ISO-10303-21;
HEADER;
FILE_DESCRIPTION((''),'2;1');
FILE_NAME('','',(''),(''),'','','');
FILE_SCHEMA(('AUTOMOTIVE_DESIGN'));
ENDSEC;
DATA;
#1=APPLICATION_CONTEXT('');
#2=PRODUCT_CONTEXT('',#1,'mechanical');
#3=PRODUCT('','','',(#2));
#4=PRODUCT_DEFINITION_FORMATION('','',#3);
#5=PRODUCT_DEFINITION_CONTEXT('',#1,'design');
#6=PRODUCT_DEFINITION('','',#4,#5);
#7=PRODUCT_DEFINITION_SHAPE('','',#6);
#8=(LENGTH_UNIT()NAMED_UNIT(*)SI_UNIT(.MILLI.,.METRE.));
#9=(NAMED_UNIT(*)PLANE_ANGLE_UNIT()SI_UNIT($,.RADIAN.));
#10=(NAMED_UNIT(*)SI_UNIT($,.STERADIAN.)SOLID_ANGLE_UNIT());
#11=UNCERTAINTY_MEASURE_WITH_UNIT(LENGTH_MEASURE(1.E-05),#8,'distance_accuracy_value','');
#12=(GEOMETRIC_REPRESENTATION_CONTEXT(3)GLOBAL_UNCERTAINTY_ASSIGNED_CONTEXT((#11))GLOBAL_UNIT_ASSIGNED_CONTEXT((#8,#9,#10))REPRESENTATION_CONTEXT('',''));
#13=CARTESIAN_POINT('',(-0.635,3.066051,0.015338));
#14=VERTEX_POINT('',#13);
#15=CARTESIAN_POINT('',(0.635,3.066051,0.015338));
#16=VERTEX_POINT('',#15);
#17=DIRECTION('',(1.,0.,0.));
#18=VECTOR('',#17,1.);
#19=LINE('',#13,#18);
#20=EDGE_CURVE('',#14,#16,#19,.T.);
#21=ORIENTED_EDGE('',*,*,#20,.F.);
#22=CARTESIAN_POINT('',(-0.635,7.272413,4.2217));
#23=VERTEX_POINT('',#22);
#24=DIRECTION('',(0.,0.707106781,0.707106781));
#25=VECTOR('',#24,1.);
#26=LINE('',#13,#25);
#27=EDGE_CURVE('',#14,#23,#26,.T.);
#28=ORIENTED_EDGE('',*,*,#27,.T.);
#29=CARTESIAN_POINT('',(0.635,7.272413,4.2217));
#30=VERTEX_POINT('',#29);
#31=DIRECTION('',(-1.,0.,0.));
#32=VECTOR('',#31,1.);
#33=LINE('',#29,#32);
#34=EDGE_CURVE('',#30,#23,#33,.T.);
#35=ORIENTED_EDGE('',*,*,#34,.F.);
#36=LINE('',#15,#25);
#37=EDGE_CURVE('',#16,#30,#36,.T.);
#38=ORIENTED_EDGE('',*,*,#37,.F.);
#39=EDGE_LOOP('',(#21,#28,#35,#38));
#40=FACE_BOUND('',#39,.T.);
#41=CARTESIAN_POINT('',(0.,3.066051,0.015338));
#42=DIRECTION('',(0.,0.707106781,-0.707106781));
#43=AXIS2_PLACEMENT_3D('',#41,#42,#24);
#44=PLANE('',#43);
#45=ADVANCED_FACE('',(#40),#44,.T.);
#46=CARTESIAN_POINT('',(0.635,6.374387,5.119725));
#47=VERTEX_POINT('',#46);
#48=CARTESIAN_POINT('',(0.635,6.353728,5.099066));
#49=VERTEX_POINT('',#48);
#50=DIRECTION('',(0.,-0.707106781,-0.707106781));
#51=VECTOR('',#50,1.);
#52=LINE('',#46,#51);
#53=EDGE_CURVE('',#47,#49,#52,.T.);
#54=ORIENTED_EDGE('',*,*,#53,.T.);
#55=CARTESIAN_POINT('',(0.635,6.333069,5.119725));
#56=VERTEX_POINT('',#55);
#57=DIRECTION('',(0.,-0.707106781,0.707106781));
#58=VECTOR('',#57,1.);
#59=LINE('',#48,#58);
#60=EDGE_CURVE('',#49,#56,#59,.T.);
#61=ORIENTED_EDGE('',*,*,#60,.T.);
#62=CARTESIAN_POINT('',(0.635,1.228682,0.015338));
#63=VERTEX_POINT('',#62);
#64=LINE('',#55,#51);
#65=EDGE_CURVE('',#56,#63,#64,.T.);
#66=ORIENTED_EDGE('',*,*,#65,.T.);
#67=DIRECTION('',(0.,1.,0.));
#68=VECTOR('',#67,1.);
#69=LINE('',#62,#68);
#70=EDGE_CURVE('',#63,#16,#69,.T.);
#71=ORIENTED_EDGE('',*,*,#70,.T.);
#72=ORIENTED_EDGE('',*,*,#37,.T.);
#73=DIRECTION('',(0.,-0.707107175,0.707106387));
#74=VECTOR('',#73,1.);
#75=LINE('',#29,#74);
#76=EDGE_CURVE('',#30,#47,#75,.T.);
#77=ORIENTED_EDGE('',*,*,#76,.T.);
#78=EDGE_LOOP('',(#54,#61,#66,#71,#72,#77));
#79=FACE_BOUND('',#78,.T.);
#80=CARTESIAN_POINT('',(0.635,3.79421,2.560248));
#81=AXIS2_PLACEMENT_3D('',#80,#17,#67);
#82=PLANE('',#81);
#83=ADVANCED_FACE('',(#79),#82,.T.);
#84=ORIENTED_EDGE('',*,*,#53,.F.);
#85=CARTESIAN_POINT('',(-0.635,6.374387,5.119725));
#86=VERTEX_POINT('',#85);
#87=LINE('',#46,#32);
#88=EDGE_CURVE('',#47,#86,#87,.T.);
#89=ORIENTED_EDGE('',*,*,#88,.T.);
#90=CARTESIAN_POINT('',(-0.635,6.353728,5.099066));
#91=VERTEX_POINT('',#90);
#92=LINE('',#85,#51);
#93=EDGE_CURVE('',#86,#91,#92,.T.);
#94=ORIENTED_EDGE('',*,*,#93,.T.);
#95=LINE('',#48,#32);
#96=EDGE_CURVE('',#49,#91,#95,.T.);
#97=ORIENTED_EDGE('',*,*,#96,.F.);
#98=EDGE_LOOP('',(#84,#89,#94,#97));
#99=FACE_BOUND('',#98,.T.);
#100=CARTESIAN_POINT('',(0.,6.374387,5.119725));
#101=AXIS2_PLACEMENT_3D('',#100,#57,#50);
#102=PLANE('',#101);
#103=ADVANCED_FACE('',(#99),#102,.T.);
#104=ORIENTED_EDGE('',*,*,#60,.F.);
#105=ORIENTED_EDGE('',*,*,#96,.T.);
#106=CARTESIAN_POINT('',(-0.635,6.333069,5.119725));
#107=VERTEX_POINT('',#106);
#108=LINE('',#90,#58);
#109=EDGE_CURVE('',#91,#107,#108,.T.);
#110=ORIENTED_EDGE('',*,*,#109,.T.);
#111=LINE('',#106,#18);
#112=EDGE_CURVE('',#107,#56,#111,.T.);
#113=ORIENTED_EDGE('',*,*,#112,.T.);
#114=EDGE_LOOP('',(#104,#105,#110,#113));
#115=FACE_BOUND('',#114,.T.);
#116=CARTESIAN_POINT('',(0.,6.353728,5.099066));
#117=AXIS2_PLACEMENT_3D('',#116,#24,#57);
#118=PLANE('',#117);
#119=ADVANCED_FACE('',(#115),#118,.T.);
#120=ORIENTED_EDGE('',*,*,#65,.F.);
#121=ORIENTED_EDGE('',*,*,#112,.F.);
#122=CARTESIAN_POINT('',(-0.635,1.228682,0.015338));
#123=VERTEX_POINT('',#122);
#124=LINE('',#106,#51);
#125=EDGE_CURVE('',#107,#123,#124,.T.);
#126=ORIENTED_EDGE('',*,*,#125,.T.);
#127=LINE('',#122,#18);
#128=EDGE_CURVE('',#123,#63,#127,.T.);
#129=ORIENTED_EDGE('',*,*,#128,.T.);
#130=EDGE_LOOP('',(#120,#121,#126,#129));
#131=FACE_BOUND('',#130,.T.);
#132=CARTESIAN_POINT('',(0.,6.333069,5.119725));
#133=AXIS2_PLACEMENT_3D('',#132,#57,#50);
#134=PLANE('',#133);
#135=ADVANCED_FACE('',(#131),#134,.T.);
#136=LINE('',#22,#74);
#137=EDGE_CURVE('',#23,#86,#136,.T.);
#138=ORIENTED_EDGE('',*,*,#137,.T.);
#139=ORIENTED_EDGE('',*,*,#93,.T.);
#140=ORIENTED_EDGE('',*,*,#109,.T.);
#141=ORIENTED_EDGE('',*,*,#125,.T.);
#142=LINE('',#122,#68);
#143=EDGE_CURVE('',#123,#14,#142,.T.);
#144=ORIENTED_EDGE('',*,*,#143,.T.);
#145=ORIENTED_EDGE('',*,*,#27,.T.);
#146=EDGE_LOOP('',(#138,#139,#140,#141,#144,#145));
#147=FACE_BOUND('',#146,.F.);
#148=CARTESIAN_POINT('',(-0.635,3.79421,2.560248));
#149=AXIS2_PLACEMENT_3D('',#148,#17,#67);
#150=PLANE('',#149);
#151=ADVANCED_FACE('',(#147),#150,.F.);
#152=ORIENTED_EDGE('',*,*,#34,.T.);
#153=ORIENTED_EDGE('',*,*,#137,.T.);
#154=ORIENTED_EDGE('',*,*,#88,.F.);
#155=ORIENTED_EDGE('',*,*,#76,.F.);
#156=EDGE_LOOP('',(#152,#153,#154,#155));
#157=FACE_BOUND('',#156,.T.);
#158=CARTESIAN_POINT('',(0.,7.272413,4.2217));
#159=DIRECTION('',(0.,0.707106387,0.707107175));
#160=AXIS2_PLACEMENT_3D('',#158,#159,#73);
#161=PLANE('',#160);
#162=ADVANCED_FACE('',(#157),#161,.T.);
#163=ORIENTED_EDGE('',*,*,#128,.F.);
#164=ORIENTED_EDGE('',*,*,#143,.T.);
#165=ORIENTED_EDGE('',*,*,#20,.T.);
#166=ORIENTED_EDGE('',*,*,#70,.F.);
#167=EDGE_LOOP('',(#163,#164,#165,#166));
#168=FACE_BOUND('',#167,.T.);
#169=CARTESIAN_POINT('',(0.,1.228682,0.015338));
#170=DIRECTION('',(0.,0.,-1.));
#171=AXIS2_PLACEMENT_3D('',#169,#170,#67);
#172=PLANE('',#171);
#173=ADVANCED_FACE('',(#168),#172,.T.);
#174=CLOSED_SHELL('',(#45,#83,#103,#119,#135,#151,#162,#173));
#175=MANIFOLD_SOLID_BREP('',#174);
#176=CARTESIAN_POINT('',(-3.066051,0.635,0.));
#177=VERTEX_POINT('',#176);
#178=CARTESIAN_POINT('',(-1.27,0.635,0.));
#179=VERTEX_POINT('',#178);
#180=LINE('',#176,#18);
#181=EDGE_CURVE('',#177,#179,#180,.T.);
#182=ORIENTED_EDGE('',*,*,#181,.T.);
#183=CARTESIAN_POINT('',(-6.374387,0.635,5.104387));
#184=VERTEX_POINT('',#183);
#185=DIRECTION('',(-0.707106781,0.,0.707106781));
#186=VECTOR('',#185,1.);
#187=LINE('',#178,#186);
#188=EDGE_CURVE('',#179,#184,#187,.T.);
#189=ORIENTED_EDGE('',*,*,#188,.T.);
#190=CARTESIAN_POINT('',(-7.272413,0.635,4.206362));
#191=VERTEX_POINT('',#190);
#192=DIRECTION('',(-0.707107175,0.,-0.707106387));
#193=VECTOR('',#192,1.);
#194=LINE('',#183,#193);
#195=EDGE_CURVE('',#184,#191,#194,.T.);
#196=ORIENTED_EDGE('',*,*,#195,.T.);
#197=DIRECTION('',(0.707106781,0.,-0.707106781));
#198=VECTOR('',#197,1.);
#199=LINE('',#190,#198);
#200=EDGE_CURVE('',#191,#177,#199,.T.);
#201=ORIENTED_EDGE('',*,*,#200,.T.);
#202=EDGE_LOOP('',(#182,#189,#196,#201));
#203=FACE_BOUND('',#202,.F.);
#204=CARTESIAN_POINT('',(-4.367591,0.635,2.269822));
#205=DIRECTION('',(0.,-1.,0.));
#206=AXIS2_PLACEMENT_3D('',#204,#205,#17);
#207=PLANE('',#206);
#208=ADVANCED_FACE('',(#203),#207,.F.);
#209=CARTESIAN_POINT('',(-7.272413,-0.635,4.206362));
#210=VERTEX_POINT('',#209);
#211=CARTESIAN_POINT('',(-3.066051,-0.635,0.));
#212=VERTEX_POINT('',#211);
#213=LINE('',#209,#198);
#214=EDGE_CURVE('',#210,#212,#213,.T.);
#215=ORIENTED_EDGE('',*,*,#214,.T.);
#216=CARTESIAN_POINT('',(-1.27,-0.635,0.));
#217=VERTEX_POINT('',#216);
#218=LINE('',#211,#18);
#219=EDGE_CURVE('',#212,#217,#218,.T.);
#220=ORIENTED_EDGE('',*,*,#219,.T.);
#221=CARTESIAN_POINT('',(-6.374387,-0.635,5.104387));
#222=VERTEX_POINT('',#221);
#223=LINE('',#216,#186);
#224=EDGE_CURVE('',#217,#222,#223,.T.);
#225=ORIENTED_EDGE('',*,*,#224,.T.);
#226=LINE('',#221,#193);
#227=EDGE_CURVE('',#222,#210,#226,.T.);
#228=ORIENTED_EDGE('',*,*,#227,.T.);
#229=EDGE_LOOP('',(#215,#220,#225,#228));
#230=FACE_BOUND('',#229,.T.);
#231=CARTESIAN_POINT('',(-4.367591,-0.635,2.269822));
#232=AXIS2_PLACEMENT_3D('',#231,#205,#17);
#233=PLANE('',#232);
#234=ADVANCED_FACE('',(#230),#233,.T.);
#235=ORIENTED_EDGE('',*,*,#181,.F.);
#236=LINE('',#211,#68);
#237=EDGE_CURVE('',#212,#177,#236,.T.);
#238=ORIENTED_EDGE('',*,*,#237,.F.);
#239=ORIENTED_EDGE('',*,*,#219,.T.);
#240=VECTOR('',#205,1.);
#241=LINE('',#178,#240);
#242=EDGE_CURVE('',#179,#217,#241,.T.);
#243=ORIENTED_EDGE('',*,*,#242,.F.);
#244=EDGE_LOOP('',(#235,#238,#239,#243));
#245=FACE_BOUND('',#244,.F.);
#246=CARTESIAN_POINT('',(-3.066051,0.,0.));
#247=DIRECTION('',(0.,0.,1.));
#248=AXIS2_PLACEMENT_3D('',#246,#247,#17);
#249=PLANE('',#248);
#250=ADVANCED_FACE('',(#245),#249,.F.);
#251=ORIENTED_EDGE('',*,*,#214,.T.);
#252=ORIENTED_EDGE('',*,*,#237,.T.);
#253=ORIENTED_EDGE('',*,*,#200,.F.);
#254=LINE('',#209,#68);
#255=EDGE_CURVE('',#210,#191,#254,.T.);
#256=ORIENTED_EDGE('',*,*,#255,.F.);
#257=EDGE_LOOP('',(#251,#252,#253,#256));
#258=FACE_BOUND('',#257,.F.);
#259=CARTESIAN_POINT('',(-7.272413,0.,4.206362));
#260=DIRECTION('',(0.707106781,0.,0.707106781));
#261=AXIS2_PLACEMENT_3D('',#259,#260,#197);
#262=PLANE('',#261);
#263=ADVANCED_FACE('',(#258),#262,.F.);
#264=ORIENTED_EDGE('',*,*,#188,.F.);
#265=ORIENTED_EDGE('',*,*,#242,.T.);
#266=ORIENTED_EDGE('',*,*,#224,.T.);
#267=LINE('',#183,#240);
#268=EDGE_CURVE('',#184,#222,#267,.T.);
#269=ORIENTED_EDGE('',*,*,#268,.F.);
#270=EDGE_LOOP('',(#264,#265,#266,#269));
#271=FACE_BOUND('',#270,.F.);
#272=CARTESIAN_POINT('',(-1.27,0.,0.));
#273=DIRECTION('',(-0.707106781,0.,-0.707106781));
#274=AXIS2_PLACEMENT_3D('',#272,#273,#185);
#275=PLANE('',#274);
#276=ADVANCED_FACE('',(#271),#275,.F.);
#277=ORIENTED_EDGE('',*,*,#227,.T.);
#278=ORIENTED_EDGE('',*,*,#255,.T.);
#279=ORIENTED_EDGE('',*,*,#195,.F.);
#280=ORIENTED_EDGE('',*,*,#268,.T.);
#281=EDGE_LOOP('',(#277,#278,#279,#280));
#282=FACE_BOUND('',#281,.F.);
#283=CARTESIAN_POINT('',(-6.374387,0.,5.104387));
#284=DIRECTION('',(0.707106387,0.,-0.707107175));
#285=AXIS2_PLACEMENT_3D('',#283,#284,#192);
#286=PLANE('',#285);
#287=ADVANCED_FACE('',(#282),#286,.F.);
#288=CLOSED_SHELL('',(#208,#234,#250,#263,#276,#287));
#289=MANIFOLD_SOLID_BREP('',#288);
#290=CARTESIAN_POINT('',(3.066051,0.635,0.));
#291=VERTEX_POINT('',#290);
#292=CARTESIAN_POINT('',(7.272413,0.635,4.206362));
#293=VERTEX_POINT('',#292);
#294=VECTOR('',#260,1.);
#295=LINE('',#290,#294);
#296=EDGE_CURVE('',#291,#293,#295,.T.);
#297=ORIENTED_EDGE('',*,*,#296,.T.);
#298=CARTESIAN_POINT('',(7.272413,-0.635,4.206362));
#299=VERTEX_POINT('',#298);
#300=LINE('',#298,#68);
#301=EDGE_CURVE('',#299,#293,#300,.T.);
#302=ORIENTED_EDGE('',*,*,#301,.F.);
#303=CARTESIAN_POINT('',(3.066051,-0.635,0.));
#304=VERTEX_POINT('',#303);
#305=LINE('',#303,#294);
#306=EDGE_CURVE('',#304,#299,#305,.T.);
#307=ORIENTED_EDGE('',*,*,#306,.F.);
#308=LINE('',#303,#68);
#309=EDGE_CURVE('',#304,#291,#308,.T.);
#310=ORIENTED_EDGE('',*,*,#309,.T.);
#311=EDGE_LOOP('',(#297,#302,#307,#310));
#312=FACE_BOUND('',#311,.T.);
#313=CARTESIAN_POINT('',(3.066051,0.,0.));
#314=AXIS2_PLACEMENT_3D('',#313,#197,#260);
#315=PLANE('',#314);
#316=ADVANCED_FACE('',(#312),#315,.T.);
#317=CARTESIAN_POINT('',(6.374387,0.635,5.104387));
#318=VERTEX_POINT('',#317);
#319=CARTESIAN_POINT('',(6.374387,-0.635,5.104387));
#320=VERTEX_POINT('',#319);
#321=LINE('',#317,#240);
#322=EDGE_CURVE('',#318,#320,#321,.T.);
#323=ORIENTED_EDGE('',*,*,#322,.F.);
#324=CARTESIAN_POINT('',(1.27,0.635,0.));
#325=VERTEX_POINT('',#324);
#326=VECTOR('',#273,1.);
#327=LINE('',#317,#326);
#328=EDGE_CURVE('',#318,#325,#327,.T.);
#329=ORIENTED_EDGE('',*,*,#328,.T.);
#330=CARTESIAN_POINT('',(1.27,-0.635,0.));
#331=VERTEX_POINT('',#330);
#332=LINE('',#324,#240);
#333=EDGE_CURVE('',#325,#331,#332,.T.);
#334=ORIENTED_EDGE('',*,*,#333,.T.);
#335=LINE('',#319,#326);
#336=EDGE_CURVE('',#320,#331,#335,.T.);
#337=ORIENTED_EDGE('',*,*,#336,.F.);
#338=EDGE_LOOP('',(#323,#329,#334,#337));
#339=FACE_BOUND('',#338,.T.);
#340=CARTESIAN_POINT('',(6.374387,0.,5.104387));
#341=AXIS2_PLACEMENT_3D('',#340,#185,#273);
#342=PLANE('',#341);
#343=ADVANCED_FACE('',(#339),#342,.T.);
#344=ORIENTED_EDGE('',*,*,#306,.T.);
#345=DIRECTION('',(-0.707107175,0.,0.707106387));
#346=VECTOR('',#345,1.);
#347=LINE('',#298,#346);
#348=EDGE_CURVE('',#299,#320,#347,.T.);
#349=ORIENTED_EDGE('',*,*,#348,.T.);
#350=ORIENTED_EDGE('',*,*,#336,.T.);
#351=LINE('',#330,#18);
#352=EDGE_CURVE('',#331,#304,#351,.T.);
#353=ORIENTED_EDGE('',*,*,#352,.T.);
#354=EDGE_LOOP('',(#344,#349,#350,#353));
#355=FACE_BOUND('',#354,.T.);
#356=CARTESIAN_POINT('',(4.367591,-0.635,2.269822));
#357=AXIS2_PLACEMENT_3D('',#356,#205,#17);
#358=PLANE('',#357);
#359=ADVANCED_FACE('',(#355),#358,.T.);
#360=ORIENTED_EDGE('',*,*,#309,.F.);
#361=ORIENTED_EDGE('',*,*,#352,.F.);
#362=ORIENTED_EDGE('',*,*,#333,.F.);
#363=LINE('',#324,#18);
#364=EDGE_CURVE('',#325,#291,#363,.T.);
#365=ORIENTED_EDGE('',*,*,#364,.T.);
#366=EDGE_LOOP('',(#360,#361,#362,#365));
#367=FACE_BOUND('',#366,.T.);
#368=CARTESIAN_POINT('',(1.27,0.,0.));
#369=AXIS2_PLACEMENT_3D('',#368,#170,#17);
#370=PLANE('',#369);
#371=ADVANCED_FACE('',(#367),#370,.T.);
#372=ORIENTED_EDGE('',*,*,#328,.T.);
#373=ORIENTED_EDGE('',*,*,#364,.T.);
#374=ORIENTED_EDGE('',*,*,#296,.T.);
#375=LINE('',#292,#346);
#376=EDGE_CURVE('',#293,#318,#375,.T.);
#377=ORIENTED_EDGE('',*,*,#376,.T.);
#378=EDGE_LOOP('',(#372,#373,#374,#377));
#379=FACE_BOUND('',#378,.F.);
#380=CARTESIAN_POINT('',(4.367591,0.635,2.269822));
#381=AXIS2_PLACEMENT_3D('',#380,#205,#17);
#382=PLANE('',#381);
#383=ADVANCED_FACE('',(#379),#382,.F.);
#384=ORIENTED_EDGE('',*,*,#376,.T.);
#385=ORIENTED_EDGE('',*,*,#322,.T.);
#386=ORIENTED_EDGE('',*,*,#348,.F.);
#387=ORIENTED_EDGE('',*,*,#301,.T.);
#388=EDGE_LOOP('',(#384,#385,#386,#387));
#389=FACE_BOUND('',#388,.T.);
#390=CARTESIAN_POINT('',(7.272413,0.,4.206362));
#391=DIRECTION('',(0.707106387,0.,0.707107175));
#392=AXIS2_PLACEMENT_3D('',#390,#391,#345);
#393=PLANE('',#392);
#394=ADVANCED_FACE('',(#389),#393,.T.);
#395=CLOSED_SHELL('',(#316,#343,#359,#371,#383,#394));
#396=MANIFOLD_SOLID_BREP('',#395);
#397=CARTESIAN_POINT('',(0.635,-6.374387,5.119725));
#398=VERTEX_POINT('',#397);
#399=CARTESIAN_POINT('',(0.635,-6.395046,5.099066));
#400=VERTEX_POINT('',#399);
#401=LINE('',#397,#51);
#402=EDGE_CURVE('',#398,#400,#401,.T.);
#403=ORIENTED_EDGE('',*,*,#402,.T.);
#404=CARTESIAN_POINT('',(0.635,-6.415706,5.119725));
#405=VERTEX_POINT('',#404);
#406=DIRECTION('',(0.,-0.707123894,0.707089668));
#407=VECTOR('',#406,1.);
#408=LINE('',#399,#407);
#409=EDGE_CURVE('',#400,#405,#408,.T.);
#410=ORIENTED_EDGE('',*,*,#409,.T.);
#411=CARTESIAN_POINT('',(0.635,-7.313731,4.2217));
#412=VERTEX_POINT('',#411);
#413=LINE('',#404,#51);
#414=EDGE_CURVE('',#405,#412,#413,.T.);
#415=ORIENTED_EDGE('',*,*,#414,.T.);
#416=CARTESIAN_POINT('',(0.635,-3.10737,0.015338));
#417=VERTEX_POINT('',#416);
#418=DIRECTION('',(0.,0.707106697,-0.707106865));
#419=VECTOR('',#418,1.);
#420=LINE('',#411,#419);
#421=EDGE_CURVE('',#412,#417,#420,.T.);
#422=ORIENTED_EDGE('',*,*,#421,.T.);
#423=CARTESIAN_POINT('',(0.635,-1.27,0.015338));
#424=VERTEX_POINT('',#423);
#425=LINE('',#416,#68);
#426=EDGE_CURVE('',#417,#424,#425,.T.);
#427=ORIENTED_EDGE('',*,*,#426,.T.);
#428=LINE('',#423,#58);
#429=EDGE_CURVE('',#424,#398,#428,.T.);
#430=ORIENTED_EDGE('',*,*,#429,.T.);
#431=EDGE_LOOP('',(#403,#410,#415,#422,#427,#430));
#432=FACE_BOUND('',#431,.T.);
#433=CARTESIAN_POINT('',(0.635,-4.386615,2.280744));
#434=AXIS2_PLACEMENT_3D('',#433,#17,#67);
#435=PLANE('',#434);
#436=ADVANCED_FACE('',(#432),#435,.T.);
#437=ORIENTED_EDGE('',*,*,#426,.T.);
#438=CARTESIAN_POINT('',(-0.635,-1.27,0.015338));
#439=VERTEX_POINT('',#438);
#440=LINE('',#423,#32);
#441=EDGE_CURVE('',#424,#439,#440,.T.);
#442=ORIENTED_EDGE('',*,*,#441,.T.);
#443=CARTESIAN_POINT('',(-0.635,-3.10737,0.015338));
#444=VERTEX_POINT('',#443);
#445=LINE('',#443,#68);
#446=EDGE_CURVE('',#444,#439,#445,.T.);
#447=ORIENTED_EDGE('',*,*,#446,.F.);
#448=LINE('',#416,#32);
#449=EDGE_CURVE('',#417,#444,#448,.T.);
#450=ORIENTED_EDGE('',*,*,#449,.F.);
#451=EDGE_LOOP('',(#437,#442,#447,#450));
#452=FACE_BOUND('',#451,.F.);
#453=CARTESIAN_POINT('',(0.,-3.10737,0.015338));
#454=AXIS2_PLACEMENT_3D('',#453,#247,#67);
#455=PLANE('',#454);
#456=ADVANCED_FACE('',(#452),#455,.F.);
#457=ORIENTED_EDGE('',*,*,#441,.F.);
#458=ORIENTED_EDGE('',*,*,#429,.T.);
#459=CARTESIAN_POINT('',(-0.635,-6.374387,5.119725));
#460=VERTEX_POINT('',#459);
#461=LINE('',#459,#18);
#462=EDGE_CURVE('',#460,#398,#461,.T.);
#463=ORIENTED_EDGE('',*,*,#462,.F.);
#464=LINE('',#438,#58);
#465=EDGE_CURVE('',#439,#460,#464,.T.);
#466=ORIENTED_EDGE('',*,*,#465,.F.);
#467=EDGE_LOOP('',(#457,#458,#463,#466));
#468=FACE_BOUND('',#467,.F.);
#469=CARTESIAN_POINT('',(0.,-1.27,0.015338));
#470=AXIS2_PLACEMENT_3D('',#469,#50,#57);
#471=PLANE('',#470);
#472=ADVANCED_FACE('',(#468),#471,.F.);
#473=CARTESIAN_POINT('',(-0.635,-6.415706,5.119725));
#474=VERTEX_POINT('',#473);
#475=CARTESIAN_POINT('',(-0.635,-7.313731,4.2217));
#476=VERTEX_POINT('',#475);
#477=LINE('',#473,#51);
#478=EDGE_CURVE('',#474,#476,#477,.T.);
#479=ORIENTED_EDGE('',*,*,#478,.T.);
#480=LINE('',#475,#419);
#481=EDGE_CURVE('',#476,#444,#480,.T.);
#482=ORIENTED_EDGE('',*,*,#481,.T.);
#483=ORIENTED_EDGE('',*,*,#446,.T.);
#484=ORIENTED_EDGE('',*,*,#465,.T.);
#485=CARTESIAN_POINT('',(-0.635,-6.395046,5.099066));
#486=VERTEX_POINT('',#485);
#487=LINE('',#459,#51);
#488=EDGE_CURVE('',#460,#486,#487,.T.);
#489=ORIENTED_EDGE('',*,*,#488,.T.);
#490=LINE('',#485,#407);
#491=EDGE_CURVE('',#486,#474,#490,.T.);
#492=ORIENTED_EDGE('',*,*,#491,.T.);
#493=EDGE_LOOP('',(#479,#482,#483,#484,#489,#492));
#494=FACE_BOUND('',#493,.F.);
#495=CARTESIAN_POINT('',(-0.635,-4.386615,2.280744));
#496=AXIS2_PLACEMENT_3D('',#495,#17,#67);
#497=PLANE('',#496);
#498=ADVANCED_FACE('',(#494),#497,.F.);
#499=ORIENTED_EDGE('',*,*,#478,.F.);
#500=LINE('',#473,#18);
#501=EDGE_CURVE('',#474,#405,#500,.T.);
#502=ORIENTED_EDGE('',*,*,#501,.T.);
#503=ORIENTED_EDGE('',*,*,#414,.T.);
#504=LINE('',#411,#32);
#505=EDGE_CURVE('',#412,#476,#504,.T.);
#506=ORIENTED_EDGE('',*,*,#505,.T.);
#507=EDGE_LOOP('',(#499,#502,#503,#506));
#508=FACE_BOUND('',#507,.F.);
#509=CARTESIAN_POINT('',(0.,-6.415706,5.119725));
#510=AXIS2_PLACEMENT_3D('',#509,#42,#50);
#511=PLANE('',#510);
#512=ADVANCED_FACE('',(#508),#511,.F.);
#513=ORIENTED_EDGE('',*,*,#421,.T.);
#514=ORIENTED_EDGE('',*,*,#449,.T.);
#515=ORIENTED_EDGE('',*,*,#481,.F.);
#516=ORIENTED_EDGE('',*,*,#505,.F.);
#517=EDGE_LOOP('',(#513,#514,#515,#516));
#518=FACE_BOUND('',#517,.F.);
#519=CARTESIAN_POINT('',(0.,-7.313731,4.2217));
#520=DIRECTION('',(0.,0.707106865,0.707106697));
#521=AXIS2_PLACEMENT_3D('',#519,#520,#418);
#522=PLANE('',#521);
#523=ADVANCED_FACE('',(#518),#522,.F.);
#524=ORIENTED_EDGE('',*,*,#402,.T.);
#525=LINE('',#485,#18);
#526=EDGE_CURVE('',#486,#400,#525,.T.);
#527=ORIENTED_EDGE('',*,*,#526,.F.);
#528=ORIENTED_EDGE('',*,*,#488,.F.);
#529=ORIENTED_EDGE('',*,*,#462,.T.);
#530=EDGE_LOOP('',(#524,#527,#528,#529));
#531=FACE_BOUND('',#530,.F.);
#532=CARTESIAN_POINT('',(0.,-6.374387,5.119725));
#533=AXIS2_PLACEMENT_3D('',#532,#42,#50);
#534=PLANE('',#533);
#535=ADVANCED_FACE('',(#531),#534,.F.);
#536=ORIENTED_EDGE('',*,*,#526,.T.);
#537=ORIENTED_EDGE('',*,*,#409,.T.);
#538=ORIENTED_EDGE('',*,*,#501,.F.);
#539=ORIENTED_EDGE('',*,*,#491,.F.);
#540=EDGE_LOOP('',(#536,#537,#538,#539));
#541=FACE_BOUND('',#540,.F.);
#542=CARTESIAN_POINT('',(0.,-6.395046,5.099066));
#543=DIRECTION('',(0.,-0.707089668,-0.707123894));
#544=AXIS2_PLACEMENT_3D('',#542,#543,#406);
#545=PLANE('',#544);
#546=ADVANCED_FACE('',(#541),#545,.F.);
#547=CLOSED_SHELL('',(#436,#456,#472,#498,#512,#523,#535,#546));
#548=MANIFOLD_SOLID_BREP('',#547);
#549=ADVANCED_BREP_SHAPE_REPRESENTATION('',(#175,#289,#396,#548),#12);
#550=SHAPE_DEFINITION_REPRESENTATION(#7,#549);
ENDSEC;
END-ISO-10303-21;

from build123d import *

# Parameters (mm, degrees)
F1_DEPTH = 0.635
F3_DEPTH = 0.635


with BuildPart() as f1:
    # F0 (on Front) → F1 (new body, symmetric)
    with BuildSketch(Plane.XZ):
        Polygon((-3.066051, 0), (-1.27, 0), (-6.374387, 5.104387), (-7.272413, 4.206362), align=None)
        Polygon((7.272413, 4.206362), (6.374387, 5.104387), (1.27, 0), (3.066051, 0), align=None)
    extrude(amount=F1_DEPTH, both=True)


with BuildPart() as f3:
    # F2 (on Right) → F3 (new body, symmetric)
    with BuildSketch(Plane.YZ):
        Polygon((-3.066051, 0.015338), (-1.311318, 0.015338), (-6.395046, 5.099066), (-7.272413, 4.2217), align=None)
        Polygon((-6.395046, 5.099066), (-1.311318, 0.015338), (-1.27, 0.015338), (-6.374387, 5.119725), align=None)
        Polygon((-7.272413, 4.2217), (-6.395046, 5.099066), (-6.415706, 5.119725), (-7.313731, 4.2217), (-3.10737, 0.015338), (-3.066051, 0.015338), align=None)
        Polygon((6.353728, 5.099066), (6.333069, 5.119725), (1.228682, 0.015338), (1.27, 0.015338), align=None)
        Polygon((6.374387, 5.119725), (6.353728, 5.099066), (7.231094, 4.2217), (3.024733, 0.015338), (3.066051, 0.015338), (7.272413, 4.2217), align=None)
        Polygon((7.231094, 4.2217), (6.353728, 5.099066), (1.27, 0.015338), (3.024733, 0.015338), align=None)
    extrude(amount=F3_DEPTH, both=True)


solid = Compound([f1.part, f3.part])
